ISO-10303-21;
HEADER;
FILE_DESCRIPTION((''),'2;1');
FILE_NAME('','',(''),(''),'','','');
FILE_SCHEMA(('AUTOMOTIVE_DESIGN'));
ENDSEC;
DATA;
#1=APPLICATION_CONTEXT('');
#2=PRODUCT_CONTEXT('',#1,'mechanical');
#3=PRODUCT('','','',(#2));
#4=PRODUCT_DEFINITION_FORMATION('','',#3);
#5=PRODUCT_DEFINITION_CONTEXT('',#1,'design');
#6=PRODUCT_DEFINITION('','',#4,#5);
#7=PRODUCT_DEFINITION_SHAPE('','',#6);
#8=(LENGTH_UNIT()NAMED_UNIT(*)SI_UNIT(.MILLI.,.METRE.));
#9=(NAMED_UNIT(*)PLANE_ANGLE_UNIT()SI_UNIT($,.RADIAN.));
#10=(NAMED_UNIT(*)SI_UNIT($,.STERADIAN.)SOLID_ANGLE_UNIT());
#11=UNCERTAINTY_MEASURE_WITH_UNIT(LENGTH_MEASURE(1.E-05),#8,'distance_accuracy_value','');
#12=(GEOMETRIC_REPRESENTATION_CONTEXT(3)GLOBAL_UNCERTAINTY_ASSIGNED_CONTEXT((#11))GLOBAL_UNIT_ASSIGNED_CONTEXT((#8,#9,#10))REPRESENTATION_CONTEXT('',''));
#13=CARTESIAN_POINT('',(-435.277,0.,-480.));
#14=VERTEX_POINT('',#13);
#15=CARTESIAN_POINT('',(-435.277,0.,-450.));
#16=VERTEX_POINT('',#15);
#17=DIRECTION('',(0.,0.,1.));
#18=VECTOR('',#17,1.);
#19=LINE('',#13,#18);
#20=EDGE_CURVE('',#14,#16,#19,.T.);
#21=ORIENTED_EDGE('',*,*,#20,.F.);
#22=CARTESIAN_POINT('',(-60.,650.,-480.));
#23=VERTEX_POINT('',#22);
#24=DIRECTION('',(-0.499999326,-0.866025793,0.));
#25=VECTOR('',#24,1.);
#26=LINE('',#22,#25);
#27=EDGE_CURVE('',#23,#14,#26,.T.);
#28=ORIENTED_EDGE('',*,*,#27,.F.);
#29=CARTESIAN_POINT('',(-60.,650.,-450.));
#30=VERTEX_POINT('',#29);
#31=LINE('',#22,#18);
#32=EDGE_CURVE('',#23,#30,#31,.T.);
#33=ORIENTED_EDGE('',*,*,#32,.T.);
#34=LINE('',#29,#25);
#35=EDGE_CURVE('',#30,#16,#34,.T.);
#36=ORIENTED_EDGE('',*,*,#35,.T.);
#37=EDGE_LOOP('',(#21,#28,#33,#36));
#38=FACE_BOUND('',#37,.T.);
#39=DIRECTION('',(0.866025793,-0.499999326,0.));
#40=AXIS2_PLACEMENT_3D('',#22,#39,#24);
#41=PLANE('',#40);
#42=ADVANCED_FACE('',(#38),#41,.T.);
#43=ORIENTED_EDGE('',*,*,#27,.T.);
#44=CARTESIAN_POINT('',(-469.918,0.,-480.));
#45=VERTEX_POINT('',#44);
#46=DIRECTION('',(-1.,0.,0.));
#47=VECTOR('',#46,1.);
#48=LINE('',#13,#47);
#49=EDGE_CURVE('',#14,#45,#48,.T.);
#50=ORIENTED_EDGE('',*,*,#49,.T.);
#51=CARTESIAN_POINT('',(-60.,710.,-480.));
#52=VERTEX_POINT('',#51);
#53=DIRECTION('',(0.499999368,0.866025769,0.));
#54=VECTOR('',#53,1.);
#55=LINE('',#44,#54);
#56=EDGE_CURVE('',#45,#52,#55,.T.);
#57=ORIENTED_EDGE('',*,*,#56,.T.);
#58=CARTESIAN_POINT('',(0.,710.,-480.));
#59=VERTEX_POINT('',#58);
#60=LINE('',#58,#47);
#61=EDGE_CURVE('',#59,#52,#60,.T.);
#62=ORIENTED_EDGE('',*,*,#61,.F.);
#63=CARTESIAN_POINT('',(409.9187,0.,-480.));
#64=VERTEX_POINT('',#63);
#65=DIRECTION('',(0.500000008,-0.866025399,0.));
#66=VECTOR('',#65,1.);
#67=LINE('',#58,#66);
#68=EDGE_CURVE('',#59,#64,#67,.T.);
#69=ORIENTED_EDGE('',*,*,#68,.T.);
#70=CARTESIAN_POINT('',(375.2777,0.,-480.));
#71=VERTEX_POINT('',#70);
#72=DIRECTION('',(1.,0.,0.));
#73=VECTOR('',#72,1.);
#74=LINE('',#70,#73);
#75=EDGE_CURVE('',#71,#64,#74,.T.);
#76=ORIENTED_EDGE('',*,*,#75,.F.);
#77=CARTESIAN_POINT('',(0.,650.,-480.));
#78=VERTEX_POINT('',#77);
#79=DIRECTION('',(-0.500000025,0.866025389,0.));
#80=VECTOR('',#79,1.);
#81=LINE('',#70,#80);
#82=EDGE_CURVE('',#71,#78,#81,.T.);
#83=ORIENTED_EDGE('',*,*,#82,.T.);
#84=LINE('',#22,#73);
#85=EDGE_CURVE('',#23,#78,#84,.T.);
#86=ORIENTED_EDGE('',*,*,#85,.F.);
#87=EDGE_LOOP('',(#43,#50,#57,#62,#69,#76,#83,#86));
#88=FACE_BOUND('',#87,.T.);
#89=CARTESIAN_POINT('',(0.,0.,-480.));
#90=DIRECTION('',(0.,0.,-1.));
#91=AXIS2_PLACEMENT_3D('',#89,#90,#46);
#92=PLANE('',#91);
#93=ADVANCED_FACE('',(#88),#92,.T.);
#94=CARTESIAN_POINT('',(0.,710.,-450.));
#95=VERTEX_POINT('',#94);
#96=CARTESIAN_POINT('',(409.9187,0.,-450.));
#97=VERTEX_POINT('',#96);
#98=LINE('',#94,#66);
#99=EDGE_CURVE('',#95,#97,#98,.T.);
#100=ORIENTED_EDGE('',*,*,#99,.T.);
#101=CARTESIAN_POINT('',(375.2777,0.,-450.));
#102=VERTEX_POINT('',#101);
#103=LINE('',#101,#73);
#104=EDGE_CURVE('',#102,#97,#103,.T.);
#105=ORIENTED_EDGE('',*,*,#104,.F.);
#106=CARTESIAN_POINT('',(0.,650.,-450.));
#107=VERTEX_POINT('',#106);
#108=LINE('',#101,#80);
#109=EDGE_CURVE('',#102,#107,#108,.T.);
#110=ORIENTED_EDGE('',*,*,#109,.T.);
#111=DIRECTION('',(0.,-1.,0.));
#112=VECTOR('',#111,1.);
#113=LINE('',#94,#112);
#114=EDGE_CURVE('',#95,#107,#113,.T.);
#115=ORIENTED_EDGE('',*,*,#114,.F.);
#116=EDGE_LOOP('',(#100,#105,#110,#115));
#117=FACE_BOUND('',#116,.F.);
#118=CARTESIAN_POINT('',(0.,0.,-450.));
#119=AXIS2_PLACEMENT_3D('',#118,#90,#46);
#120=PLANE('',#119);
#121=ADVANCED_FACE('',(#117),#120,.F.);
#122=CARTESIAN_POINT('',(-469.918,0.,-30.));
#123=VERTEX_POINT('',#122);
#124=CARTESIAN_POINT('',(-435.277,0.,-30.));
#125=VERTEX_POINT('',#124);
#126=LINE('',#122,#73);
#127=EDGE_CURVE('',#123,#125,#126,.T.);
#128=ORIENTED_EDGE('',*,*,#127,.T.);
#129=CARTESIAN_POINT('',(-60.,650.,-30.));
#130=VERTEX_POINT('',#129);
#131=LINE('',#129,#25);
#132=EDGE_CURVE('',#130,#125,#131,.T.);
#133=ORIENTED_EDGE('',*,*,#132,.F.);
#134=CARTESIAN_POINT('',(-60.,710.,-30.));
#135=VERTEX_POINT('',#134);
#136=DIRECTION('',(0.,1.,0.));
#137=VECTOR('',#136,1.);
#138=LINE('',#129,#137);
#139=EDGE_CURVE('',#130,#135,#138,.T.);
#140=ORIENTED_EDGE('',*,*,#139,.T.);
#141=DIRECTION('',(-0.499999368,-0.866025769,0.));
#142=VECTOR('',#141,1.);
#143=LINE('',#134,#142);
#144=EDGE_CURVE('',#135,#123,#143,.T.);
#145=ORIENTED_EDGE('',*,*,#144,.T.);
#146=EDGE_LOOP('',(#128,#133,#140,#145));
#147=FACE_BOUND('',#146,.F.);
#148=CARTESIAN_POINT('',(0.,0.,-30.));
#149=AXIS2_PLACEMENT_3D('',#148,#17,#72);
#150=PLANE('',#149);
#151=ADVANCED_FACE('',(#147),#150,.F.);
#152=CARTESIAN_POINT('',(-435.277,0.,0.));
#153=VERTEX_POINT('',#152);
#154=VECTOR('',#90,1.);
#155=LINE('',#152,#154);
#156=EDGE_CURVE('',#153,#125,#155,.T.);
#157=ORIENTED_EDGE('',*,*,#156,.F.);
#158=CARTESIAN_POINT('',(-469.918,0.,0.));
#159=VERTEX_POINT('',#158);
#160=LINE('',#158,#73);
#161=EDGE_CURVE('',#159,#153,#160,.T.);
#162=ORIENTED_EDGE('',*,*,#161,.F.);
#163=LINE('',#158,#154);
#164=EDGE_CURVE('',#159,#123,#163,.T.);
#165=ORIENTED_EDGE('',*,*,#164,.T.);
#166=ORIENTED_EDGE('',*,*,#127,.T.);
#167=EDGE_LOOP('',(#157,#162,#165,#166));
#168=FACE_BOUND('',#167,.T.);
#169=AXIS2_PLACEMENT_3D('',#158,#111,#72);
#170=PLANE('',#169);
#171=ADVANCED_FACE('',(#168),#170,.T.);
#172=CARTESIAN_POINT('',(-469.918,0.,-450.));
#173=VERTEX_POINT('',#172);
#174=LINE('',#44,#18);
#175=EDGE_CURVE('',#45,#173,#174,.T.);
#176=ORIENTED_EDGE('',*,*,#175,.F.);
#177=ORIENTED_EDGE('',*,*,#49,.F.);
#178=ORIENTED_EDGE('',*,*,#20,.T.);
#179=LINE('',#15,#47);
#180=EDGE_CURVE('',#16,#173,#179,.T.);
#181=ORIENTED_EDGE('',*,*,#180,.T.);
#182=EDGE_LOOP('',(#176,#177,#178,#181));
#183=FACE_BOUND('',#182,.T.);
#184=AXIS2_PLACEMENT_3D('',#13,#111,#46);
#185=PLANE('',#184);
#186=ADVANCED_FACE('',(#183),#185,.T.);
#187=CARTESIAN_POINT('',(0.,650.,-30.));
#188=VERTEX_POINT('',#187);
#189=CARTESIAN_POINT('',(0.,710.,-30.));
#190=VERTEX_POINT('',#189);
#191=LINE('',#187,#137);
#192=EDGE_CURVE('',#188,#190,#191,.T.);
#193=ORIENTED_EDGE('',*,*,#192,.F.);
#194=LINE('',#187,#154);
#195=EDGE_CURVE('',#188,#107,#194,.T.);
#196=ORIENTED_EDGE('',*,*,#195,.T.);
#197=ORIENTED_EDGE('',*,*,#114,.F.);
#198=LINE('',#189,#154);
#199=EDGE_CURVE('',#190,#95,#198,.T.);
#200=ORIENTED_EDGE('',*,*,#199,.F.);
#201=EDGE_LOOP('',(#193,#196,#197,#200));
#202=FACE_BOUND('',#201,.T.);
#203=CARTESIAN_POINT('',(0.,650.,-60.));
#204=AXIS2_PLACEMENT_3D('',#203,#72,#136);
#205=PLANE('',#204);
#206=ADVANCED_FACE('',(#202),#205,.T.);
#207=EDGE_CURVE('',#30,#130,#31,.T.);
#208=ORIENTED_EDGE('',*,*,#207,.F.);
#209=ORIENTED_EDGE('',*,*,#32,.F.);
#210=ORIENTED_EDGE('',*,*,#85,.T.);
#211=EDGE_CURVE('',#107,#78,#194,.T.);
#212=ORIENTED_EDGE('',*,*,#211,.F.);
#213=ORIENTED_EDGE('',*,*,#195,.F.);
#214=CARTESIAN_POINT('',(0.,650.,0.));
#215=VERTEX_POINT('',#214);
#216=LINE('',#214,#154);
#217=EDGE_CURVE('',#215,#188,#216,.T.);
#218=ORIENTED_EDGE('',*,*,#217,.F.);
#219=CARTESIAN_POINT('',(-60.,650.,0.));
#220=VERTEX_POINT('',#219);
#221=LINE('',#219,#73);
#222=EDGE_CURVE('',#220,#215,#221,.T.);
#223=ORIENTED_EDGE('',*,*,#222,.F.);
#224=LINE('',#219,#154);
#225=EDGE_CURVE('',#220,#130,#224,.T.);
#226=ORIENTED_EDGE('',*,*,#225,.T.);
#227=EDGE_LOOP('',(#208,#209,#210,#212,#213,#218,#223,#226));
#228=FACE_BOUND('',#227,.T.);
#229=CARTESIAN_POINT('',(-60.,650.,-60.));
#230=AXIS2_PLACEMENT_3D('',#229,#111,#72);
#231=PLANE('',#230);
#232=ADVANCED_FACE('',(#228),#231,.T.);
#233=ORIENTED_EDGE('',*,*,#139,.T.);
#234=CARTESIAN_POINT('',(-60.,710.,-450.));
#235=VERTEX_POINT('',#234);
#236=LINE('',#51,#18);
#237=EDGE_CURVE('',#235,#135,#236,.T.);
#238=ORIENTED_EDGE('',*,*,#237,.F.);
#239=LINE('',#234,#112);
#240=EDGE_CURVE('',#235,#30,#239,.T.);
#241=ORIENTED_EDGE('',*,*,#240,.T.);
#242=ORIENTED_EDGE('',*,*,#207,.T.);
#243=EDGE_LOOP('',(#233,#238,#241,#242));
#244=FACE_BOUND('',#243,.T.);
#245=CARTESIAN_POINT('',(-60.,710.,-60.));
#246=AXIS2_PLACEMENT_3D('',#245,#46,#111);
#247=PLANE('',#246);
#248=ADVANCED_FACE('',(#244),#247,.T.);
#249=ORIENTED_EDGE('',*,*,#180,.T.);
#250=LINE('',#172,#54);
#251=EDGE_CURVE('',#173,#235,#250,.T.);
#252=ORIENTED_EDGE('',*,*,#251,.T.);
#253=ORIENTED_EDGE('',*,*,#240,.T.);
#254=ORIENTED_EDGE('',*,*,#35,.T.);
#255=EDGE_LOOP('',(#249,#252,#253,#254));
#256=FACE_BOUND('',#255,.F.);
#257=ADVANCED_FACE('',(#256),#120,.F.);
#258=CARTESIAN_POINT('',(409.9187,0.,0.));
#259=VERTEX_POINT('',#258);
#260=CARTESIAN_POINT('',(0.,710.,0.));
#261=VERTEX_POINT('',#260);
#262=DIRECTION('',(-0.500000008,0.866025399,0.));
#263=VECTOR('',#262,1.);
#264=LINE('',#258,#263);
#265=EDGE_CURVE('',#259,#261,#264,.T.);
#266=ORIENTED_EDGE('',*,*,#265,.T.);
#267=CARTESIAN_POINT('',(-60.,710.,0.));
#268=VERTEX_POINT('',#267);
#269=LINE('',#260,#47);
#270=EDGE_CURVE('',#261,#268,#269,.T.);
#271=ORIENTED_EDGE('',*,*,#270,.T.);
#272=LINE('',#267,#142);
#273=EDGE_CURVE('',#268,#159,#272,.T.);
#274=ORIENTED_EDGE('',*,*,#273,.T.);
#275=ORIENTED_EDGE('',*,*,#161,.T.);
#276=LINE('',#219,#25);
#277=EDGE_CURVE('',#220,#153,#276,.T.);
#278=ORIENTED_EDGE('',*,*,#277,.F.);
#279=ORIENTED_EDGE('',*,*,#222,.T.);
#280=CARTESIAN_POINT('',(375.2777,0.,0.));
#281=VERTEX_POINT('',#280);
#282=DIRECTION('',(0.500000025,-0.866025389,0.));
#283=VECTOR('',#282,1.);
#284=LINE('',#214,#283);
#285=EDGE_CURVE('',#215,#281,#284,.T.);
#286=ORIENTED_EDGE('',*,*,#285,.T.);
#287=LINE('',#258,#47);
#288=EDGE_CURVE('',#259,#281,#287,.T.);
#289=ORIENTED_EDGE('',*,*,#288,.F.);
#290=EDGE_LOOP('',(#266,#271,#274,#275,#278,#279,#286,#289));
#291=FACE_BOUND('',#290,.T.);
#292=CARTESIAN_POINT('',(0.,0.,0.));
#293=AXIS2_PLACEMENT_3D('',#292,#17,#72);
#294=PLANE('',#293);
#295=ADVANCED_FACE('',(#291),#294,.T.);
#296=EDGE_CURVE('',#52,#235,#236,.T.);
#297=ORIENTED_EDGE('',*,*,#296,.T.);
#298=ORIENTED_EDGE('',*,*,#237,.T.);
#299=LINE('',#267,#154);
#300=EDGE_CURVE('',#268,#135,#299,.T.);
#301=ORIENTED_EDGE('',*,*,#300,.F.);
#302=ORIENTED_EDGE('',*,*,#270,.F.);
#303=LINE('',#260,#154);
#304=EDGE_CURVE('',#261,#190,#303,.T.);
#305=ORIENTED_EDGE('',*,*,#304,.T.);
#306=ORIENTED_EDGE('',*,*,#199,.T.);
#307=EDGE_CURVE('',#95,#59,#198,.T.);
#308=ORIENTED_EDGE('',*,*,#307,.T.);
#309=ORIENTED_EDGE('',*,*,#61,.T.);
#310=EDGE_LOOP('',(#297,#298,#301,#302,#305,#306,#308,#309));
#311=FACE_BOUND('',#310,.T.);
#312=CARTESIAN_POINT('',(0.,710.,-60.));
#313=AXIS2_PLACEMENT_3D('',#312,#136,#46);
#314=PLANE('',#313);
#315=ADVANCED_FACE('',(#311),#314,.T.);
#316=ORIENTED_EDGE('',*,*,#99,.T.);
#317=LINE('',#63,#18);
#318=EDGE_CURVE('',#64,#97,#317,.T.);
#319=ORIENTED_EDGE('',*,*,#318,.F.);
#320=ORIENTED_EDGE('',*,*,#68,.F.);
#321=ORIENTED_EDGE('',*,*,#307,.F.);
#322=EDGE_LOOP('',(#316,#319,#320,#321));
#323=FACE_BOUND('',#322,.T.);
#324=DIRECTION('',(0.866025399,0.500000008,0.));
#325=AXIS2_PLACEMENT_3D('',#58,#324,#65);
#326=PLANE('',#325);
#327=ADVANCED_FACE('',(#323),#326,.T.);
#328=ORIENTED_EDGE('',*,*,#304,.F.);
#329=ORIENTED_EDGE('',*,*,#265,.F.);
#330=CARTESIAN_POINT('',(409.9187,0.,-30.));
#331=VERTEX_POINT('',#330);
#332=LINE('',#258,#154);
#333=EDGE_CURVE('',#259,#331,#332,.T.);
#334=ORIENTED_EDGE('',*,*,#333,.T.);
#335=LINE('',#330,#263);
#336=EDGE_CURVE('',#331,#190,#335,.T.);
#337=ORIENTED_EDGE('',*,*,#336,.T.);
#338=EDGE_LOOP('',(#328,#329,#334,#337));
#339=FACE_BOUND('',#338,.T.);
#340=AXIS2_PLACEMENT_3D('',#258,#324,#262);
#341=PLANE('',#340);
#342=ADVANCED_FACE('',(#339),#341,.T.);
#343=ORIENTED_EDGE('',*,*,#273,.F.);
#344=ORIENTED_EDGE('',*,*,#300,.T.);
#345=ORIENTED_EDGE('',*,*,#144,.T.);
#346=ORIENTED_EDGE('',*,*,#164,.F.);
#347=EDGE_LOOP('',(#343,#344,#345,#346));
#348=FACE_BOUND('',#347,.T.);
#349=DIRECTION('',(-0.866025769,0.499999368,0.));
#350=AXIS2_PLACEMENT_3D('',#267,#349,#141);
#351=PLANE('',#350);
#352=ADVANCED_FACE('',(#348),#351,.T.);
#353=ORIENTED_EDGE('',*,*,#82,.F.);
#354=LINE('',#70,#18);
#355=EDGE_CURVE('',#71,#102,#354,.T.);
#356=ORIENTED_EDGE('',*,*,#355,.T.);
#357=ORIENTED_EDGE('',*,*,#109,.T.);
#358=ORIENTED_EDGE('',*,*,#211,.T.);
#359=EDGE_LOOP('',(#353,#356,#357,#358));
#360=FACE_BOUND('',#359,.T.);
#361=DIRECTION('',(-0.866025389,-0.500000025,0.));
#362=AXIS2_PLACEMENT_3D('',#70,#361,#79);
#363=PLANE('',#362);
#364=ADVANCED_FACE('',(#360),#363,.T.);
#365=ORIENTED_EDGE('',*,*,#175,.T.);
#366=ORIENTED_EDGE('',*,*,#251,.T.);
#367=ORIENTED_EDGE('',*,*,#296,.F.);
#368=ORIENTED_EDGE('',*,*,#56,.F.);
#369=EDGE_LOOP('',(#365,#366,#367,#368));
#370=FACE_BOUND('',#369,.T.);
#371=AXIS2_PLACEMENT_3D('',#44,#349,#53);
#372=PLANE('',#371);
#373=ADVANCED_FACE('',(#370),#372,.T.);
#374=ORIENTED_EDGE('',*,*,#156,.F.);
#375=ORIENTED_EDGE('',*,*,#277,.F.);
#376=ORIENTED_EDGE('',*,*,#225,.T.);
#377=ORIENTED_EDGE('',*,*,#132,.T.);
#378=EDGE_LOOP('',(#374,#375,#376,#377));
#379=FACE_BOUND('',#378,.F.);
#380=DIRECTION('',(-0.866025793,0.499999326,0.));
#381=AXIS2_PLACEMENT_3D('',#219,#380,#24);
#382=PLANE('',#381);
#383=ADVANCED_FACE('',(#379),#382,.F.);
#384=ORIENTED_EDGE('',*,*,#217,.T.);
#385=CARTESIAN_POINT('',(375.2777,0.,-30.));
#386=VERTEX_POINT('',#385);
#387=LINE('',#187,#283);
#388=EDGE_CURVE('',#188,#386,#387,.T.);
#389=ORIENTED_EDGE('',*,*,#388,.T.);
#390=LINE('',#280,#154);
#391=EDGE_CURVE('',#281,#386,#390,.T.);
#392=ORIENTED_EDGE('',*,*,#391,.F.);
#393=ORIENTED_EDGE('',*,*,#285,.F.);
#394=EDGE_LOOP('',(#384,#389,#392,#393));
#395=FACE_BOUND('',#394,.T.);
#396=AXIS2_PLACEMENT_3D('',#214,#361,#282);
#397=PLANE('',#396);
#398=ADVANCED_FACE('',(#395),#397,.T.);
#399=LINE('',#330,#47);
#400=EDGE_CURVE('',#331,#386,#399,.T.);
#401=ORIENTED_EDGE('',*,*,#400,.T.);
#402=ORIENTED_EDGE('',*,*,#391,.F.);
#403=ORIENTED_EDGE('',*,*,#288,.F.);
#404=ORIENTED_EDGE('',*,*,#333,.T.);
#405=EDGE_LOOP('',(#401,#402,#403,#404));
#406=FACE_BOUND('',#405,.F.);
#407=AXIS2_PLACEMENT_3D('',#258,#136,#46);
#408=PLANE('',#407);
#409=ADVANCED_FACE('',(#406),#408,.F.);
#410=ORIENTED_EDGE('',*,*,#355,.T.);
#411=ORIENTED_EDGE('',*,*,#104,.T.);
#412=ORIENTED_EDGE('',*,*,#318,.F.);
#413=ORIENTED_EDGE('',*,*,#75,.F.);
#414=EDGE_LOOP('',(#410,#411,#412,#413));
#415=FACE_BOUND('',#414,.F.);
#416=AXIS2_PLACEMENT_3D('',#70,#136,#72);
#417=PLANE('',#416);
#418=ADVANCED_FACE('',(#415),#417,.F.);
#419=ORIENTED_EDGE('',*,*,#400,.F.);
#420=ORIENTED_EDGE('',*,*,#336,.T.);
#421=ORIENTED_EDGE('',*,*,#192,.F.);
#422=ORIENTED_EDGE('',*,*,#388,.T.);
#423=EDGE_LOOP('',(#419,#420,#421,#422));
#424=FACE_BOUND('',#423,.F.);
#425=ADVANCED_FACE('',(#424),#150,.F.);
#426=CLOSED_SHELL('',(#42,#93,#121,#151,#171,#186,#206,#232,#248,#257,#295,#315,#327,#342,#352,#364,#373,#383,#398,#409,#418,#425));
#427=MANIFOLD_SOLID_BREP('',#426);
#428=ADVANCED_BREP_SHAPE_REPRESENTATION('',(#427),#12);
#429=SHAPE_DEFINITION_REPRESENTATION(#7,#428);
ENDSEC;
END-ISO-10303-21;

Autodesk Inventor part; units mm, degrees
ref_plane "YZ Plane" through (0, 0, 0) normal (1, 0, 0) x (0, 1, 0)
ref_plane "XZ Plane" through (0, 0, 0) normal (0, 1, 0) x (-1, 0, 0)
ref_plane "XY Plane" through (0, 0, 0) normal (0, 0, 1) x (1, 0, 0)
sketch "Sketch1" plane through (0, 0, 0) normal (0, 0, 1) x (1, 0, 0)
  point P0 (0, 0)
sketch "Sketch2" plane through (0, 0, 0) normal (0, 0, 1) x (1, 0, 0)
  line L0 (0, 650) -> (375.2777, 0)
  line L1 (409.9187, 0) -> (375.2777, 0)
  line L2 (409.9187, 0) -> (0, 710)
  line L3 (0, 650) -> (0, 710)
  point P0 (0, 0)
  dimension "d0" = 650
extrude "Extrusion1" add sketch "Sketch2" against normal blind 30
sketch "Sketch3" plane through (0, 0, 0) normal (0, 0, 1) x (1, 0, 0)
  line L0 (0, 650) -> (0, 710) projected
  line L1 (0, 650) -> (-60, 650)
  line L2 (-60, 650) -> (-60, 710)
  line L3 (-60, 710) -> (0, 710)
  line L4 (0, 710) -> (0, 650)
  line L5 (-60, 650) -> (-435.277, 0)
  line L6 (-60, 710) -> (-469.918, 0)
  line L7 (-469.918, 0) -> (-435.277, 0)
  point P0 (0, 0)
  dimension "d5" = 60
  dimension "d6" = 750.555
extrude "Extrusion2" add sketch "Sketch3" against normal blind 30 contours L5 L7 L6 L2
sketch "Sketch4" plane through (0, 0, 0) normal (0, 0, 1) x (1, 0, 0)
  line L0 (0, 710) -> (409.9187, 0) projected
  line L1 (-60, 650) -> (0, 650)
  line L2 (0, 650) -> (0, 710)
  line L3 (0, 710) -> (-60, 710)
  line L4 (-60, 710) -> (-60, 650)
  point P0 (0, 0)
extrude "Extrusion3" add sketch "Sketch4" against normal blind 60
sketch "Sketch5" plane through (0, 0, 0) normal (0, 0, 1) x (1, 0, 0)
  point P0 (0, 0)
sketch "Sketch6" plane through (0, 0, -60) normal (0, 0, -1) x (-1, 0, 0)
  line L0 (0, 710) -> (-409.9187, 0) projected
  line L1 (60, 650) -> (435.277, 0) projected
  line L2 (0, 710) -> (60, 710)
  line L3 (60, 710) -> (60, 650)
  line L4 (60, 650) -> (0, 650)
  line L5 (0, 650) -> (0, 710)
  point P0 (0, 0)
extrude "Extrusion4" add sketch "Sketch6" along normal blind 420
sketch "Sketch7" plane through (0, 0, -480) normal (0, 0, -1) x (-1, 0, 0)
  line L0 (60, 650) -> (435.277, 0) projected
  line L1 (60, 650) -> (435.277, 0)
  line L2 (469.918, 0) -> (60, 710) projected
  line L3 (435.277, 0) -> (469.918, 0)
  line L4 (469.918, 0) -> (60, 710)
  line L5 (60, 710) -> (60, 650)
  point P0 (0, 0)
extrude "Extrusion5" add sketch "Sketch7" against normal blind 30
sketch "Sketch8" plane through (0, 0, -480) normal (0, 0, -1) x (-1, 0, 0)
  line L0 (-375.2777, 0) -> (0, 650) projected
  line L1 (0, 650) -> (-375.2777, 0)
  line L2 (0, 710) -> (-409.9187, 0) projected
  line L3 (-375.2777, 0) -> (-409.9187, 0)
  line L4 (-409.9187, 0) -> (0, 710)
  line L5 (0, 710) -> (0, 650)
  point P0 (0, 0)
extrude "Extrusion6" add sketch "Sketch8" against normal blind 30
properties part number "stativ ide 1"
